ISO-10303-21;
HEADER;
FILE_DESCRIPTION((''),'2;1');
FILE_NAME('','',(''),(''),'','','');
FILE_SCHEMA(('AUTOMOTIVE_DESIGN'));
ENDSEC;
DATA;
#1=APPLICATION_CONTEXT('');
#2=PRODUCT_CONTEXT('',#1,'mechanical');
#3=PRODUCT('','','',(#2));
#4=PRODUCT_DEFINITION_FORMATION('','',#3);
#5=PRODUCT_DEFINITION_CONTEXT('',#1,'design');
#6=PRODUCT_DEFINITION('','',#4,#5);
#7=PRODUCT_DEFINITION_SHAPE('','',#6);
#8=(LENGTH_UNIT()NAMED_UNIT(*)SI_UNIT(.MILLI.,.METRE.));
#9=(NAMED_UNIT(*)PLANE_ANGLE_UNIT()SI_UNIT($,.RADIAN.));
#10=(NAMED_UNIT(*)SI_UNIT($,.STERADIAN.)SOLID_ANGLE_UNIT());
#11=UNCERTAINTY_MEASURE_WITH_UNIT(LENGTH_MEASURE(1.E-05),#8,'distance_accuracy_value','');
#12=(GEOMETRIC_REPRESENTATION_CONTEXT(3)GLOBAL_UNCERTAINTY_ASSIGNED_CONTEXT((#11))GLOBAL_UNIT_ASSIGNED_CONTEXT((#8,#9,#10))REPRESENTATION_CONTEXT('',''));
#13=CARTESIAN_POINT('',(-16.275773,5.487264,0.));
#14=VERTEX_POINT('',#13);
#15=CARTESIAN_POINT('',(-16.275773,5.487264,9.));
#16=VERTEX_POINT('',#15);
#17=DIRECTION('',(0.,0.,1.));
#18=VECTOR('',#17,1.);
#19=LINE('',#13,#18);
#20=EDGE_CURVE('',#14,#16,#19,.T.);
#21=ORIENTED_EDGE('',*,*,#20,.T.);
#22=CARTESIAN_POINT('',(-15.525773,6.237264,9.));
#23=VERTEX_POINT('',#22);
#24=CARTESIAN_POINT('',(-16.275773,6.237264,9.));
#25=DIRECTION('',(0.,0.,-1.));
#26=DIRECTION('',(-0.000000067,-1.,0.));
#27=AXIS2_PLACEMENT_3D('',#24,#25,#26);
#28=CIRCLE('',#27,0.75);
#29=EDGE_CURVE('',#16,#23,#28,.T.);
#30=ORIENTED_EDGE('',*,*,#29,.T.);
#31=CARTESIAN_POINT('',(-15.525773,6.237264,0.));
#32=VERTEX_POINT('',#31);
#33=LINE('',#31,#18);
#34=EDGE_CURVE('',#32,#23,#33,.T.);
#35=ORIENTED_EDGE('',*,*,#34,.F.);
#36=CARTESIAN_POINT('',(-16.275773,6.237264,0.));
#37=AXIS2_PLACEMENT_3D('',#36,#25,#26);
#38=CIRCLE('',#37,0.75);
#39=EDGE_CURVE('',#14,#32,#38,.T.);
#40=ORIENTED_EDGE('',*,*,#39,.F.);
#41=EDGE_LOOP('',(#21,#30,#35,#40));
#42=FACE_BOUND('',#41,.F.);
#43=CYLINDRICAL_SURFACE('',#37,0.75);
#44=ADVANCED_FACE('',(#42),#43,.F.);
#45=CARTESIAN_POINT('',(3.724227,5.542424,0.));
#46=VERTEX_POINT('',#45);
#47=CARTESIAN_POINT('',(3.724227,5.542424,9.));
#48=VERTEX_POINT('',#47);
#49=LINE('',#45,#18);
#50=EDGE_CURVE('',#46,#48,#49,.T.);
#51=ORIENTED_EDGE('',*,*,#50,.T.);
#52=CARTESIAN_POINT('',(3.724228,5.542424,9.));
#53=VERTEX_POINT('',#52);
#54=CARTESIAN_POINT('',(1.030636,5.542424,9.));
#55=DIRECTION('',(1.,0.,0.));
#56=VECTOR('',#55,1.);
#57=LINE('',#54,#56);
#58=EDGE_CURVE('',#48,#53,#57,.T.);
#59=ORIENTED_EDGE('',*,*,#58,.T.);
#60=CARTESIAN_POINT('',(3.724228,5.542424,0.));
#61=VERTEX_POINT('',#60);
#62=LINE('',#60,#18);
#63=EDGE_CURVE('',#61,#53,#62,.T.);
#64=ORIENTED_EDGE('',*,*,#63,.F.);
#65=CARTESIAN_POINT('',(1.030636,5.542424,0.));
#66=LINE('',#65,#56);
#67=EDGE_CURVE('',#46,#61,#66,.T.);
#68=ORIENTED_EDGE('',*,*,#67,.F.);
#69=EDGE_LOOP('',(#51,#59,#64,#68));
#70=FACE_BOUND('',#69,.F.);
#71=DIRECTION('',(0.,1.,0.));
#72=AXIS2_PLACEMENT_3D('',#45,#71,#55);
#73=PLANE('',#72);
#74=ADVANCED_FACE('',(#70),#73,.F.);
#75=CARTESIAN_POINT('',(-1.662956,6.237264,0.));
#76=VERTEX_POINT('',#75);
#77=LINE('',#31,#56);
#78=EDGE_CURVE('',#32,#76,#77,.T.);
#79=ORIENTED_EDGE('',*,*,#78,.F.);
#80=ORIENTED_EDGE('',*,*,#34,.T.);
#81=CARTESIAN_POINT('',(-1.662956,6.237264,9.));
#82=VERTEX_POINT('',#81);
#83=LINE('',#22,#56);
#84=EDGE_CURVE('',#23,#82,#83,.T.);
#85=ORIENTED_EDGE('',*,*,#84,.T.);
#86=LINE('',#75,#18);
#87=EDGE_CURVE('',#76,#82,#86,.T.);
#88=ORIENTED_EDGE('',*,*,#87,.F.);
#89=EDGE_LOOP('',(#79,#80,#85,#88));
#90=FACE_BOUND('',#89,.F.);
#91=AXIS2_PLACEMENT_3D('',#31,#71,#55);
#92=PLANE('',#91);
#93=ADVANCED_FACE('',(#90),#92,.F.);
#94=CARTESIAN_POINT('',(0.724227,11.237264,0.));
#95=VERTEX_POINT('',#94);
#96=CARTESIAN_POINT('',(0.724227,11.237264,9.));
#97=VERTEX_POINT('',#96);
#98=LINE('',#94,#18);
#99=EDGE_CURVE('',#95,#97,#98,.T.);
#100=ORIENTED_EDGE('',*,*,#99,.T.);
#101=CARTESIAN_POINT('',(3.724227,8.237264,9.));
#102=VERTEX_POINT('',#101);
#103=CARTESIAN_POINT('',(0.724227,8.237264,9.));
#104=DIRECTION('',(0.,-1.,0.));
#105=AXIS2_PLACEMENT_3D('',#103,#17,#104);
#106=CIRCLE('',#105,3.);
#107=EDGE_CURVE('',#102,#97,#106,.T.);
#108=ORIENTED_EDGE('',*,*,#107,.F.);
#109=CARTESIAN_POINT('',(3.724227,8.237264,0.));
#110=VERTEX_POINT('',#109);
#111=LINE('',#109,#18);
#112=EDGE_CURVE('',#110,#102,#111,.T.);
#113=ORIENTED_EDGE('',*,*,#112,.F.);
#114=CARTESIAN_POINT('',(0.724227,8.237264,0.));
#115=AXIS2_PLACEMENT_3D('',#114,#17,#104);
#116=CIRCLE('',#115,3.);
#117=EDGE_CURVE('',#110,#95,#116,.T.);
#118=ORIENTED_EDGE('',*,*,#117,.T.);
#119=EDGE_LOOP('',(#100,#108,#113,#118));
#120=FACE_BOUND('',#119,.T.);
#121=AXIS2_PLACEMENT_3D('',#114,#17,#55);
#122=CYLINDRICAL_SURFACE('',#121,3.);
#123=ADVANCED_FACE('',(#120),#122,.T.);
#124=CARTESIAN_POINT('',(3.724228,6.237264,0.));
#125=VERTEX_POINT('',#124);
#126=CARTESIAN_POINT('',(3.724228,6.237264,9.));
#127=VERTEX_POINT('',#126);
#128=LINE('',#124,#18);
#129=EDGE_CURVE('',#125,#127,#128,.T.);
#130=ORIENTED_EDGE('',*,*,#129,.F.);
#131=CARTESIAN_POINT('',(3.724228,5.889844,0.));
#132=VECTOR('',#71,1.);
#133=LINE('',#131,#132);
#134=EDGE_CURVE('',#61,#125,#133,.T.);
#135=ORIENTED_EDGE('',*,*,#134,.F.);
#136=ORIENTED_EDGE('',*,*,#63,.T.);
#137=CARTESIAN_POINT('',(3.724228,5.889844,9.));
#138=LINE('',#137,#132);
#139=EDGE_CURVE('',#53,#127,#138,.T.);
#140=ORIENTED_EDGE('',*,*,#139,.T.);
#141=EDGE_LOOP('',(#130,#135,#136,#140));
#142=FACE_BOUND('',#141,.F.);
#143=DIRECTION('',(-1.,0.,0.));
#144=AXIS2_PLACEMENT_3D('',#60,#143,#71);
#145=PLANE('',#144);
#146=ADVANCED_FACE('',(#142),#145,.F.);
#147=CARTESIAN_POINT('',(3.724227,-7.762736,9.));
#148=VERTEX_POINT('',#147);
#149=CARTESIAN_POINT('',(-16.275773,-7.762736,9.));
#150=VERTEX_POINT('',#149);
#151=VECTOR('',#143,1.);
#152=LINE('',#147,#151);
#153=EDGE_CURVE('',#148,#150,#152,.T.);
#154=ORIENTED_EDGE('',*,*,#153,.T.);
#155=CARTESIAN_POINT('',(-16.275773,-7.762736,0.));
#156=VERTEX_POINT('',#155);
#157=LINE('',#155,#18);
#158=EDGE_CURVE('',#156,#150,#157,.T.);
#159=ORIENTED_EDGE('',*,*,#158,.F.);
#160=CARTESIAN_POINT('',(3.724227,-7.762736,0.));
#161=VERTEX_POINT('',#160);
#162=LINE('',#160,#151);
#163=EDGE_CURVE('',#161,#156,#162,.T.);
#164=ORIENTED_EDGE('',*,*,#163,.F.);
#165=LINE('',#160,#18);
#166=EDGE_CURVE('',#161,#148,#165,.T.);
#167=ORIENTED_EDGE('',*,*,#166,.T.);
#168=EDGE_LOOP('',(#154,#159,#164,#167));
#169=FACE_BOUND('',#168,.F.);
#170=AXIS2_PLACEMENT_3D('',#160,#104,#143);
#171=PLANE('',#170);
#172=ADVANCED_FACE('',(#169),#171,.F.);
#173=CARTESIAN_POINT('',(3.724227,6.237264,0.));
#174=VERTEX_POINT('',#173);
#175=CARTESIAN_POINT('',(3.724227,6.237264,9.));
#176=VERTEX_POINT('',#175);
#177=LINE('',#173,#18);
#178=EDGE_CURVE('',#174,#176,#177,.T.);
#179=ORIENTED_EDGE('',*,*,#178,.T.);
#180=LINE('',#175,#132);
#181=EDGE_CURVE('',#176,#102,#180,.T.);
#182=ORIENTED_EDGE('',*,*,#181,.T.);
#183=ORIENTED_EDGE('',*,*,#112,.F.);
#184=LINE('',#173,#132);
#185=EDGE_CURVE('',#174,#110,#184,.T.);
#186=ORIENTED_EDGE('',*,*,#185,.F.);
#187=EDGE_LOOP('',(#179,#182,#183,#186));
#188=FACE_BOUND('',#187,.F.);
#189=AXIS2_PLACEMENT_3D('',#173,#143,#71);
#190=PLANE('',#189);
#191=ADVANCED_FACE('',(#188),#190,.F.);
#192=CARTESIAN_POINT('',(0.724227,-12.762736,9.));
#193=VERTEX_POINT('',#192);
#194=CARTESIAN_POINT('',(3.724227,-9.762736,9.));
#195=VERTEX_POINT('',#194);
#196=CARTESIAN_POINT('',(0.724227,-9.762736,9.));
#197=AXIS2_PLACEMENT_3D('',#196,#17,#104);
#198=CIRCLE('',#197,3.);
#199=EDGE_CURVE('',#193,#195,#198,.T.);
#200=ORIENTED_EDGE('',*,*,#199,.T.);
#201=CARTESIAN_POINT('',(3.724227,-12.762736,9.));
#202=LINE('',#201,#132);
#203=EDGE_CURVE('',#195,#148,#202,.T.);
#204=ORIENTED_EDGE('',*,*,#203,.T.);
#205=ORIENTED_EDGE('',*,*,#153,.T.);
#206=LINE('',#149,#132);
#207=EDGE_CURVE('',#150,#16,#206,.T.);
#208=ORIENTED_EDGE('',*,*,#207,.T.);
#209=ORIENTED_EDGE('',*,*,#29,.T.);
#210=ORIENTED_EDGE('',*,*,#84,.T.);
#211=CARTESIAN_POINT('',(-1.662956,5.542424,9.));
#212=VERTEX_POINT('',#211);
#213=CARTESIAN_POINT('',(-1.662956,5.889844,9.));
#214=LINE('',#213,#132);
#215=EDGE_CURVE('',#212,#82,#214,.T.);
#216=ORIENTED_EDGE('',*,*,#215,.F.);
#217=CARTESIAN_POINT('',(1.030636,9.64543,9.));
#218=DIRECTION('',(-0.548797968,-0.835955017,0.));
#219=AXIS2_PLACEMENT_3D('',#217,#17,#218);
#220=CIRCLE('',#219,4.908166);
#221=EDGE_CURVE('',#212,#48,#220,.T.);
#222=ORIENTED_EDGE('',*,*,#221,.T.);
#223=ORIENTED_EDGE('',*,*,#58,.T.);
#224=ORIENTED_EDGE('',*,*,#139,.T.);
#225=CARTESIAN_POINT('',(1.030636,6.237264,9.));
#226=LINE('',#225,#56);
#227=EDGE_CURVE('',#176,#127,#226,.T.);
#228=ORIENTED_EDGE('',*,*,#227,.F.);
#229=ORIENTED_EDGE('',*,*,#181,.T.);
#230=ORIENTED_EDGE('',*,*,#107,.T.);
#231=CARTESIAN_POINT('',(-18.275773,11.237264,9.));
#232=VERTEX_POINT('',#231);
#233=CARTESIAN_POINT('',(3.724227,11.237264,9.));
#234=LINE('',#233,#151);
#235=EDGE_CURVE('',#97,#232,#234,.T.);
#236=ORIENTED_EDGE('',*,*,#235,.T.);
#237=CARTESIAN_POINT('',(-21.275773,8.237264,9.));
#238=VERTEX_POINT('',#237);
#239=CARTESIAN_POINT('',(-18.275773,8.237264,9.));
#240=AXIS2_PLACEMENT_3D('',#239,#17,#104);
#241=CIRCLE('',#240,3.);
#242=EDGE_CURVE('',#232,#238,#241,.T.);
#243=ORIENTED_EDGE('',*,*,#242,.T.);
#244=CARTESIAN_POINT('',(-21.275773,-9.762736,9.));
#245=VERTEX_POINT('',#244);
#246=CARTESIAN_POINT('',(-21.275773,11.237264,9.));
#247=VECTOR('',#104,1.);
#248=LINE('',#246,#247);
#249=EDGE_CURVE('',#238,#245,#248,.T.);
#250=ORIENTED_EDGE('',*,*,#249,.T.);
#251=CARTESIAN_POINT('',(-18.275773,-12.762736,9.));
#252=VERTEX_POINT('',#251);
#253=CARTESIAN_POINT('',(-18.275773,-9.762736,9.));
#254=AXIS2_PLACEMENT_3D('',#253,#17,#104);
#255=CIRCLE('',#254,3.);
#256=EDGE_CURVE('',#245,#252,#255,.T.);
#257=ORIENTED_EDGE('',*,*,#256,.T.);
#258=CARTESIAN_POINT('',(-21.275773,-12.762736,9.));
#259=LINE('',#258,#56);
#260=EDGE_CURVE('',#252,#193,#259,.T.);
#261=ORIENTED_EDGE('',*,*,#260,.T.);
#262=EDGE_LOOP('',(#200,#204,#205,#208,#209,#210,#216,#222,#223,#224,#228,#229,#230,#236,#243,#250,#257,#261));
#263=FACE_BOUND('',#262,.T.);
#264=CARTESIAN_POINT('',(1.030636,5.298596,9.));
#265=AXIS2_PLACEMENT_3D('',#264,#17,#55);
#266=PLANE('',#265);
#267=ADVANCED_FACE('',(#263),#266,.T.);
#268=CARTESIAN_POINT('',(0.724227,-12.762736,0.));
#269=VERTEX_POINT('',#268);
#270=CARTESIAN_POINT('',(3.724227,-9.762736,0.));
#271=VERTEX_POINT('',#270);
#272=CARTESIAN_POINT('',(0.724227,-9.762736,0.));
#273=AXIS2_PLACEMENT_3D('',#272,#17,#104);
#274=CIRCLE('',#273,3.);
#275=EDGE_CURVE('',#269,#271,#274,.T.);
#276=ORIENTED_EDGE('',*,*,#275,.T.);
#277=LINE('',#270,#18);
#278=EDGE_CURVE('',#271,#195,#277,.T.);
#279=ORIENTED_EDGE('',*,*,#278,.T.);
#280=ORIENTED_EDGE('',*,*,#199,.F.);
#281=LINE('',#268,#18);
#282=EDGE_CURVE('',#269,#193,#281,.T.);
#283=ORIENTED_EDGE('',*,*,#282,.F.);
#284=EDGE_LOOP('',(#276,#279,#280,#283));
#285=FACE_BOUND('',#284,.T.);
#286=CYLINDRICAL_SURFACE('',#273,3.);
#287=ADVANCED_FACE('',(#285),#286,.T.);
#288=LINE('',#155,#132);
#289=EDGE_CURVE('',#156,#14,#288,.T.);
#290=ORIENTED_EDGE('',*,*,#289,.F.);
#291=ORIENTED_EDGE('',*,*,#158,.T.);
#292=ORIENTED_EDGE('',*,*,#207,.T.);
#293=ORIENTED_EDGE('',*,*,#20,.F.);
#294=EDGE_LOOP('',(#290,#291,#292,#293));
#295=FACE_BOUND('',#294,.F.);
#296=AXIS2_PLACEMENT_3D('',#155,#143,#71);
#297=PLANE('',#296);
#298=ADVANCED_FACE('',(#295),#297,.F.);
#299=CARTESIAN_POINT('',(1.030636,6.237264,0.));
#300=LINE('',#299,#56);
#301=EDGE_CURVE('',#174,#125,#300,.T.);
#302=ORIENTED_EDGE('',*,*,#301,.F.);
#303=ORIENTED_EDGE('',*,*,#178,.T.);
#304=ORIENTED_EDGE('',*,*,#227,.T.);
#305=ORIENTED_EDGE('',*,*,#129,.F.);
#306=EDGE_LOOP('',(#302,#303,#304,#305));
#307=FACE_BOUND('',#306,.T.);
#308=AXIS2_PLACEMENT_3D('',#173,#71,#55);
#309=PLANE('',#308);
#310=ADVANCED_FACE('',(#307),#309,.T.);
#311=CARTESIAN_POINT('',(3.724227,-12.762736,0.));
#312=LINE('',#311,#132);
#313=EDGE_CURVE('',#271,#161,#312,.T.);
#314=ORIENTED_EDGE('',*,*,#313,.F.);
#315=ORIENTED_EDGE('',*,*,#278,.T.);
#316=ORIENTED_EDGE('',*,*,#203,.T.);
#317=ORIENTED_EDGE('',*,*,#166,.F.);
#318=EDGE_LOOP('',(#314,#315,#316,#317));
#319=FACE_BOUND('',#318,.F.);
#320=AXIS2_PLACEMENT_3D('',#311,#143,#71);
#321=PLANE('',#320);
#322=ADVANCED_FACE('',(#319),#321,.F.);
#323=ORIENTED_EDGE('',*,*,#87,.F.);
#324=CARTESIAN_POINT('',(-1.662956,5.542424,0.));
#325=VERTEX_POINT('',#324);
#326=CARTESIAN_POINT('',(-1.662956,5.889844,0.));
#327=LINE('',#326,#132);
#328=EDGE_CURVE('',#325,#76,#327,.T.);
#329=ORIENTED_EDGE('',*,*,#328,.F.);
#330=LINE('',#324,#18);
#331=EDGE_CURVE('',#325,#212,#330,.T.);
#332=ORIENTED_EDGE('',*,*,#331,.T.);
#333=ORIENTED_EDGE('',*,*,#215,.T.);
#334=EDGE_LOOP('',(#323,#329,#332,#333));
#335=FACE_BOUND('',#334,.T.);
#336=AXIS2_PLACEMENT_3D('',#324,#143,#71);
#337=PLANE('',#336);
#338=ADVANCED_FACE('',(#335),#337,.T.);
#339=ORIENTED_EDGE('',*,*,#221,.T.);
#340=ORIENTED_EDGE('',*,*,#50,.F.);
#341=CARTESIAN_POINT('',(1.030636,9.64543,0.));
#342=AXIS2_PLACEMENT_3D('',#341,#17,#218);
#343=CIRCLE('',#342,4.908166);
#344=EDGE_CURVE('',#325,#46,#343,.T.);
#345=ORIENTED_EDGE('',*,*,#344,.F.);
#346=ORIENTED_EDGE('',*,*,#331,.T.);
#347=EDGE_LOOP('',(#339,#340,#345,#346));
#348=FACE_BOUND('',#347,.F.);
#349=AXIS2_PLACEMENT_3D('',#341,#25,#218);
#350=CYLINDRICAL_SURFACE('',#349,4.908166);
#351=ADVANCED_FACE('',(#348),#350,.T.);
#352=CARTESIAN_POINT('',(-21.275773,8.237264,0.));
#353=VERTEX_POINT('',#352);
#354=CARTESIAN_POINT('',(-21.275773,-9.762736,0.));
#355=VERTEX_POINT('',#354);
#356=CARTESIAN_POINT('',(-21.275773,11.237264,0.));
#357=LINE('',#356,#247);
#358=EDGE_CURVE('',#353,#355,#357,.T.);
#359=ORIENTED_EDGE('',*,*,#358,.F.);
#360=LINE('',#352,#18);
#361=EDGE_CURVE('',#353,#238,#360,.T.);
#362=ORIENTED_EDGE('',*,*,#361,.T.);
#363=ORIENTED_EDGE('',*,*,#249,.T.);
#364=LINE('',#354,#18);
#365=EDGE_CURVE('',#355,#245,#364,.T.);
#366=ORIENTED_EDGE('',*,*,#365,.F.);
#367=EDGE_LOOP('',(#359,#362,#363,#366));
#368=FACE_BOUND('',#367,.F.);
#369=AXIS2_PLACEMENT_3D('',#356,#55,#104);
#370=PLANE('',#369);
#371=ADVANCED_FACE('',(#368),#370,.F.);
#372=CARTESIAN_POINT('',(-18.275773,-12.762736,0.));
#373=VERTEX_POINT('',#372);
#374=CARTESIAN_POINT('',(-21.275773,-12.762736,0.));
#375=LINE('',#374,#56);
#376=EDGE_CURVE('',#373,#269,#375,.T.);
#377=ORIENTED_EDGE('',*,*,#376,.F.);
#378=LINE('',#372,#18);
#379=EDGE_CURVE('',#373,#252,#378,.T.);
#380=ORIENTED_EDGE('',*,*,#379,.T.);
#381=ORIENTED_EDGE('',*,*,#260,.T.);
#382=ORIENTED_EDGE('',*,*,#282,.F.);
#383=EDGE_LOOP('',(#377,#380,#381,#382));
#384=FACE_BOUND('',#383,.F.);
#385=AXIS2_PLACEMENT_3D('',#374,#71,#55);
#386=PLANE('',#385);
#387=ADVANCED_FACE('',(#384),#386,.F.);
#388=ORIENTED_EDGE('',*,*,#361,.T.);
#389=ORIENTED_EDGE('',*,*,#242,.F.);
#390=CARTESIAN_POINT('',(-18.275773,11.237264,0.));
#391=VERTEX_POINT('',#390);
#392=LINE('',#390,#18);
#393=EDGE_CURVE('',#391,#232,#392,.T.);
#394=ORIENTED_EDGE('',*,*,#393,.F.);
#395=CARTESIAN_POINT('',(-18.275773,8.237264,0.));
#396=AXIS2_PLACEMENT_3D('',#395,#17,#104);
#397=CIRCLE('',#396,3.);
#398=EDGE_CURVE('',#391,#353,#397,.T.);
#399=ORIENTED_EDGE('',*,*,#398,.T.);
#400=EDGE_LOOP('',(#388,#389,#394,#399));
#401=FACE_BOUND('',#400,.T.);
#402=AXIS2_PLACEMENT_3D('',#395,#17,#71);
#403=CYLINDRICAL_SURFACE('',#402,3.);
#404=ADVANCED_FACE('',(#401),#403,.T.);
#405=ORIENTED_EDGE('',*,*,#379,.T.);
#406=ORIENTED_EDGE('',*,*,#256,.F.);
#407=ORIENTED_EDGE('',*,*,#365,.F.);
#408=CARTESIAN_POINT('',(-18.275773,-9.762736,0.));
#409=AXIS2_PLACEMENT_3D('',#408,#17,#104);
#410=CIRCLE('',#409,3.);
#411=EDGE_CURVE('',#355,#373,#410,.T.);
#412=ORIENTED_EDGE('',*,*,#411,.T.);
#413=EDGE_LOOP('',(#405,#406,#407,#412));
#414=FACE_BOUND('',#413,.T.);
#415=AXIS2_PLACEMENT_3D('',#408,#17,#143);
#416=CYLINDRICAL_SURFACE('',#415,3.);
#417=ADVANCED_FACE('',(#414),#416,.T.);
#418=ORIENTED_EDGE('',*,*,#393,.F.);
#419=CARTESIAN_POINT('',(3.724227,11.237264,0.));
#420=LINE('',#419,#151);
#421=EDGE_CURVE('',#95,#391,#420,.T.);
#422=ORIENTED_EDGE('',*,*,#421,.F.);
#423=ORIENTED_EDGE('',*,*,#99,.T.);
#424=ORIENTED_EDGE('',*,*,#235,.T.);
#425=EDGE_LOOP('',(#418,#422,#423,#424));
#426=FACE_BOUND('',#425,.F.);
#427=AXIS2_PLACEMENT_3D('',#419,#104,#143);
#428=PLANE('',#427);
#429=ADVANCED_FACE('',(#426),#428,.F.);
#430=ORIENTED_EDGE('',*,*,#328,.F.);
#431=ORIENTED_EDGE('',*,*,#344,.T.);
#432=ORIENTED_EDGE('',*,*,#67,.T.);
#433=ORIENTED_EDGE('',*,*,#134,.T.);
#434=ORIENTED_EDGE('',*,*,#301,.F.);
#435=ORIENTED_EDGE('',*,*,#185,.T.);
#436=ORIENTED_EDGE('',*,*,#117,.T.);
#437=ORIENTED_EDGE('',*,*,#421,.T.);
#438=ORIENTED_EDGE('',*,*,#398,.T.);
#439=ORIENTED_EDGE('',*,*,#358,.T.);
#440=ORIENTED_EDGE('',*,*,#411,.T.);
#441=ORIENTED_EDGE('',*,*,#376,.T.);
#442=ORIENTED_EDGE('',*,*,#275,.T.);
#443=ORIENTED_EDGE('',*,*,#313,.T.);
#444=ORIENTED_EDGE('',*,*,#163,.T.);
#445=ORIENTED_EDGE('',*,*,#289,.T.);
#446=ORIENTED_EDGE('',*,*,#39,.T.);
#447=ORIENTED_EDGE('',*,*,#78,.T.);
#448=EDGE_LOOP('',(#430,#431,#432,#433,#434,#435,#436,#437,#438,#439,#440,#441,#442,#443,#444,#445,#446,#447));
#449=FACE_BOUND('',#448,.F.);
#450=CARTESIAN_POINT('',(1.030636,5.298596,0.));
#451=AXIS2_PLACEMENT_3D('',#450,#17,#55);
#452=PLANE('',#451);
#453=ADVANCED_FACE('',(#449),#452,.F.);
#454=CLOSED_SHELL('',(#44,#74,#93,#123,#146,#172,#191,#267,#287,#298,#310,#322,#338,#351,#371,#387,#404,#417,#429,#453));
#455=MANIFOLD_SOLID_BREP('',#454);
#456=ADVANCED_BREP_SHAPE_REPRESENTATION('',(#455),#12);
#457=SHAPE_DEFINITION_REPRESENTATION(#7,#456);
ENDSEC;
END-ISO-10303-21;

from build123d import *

# Parameters (mm, degrees)
F0_W     = 5.387183
F0_H     = 0.69484
F1_DEPTH = 9
F2_R     = 3


with BuildPart() as f1:
    # F0 (on Top) → F1 (new body)
    with BuildSketch(Plane.XY):
        with BuildLine():
            ThreePointArc((-1.662956, 5.542424), (1.030635, 4.737264), (3.724227, 5.542424))
            Line((3.724227, 5.542424), (-1.662956, 5.542424))
        make_face()
        with Locations((1.030636, 5.889844)):
            Rectangle(F0_W, F0_H)
        with BuildLine():
            Line((3.724227, 6.237264), (3.724227, 11.237264))
            Line((3.724227, 11.237264), (-21.275773, 11.237264))
            Line((-21.275773, 11.237264), (-21.275773, -12.762736))
            Line((-21.275773, -12.762736), (3.724227, -12.762736))
            Line((3.724227, -12.762736), (3.724227, -7.762736))
            Line((3.724227, -7.762736), (-16.275773, -7.762736))
            Line((-16.275773, -7.762736), (-16.275773, 5.487264))
            ThreePointArc((-16.275773, 5.487264), (-16.806103, 6.767594), (-15.525773, 6.237264))
            Line((-15.525773, 6.237264), (-1.662956, 6.237264))
            Line((-1.662956, 6.237264), (3.724227, 6.237264))
        make_face()
    extrude(amount=F1_DEPTH)

    # F2
    f2_edges = [f1.edges().sort_by_distance(p)[0] for p in [
        (-21.275773, 11.237264, 4.5),
        (-21.275773, -12.762736, 4.5),
        (3.724227, 11.237264, 4.5),
        (3.724227, -12.762736, 4.5),
    ]]
    fillet(f2_edges, radius=F2_R)


solid = f1.part
